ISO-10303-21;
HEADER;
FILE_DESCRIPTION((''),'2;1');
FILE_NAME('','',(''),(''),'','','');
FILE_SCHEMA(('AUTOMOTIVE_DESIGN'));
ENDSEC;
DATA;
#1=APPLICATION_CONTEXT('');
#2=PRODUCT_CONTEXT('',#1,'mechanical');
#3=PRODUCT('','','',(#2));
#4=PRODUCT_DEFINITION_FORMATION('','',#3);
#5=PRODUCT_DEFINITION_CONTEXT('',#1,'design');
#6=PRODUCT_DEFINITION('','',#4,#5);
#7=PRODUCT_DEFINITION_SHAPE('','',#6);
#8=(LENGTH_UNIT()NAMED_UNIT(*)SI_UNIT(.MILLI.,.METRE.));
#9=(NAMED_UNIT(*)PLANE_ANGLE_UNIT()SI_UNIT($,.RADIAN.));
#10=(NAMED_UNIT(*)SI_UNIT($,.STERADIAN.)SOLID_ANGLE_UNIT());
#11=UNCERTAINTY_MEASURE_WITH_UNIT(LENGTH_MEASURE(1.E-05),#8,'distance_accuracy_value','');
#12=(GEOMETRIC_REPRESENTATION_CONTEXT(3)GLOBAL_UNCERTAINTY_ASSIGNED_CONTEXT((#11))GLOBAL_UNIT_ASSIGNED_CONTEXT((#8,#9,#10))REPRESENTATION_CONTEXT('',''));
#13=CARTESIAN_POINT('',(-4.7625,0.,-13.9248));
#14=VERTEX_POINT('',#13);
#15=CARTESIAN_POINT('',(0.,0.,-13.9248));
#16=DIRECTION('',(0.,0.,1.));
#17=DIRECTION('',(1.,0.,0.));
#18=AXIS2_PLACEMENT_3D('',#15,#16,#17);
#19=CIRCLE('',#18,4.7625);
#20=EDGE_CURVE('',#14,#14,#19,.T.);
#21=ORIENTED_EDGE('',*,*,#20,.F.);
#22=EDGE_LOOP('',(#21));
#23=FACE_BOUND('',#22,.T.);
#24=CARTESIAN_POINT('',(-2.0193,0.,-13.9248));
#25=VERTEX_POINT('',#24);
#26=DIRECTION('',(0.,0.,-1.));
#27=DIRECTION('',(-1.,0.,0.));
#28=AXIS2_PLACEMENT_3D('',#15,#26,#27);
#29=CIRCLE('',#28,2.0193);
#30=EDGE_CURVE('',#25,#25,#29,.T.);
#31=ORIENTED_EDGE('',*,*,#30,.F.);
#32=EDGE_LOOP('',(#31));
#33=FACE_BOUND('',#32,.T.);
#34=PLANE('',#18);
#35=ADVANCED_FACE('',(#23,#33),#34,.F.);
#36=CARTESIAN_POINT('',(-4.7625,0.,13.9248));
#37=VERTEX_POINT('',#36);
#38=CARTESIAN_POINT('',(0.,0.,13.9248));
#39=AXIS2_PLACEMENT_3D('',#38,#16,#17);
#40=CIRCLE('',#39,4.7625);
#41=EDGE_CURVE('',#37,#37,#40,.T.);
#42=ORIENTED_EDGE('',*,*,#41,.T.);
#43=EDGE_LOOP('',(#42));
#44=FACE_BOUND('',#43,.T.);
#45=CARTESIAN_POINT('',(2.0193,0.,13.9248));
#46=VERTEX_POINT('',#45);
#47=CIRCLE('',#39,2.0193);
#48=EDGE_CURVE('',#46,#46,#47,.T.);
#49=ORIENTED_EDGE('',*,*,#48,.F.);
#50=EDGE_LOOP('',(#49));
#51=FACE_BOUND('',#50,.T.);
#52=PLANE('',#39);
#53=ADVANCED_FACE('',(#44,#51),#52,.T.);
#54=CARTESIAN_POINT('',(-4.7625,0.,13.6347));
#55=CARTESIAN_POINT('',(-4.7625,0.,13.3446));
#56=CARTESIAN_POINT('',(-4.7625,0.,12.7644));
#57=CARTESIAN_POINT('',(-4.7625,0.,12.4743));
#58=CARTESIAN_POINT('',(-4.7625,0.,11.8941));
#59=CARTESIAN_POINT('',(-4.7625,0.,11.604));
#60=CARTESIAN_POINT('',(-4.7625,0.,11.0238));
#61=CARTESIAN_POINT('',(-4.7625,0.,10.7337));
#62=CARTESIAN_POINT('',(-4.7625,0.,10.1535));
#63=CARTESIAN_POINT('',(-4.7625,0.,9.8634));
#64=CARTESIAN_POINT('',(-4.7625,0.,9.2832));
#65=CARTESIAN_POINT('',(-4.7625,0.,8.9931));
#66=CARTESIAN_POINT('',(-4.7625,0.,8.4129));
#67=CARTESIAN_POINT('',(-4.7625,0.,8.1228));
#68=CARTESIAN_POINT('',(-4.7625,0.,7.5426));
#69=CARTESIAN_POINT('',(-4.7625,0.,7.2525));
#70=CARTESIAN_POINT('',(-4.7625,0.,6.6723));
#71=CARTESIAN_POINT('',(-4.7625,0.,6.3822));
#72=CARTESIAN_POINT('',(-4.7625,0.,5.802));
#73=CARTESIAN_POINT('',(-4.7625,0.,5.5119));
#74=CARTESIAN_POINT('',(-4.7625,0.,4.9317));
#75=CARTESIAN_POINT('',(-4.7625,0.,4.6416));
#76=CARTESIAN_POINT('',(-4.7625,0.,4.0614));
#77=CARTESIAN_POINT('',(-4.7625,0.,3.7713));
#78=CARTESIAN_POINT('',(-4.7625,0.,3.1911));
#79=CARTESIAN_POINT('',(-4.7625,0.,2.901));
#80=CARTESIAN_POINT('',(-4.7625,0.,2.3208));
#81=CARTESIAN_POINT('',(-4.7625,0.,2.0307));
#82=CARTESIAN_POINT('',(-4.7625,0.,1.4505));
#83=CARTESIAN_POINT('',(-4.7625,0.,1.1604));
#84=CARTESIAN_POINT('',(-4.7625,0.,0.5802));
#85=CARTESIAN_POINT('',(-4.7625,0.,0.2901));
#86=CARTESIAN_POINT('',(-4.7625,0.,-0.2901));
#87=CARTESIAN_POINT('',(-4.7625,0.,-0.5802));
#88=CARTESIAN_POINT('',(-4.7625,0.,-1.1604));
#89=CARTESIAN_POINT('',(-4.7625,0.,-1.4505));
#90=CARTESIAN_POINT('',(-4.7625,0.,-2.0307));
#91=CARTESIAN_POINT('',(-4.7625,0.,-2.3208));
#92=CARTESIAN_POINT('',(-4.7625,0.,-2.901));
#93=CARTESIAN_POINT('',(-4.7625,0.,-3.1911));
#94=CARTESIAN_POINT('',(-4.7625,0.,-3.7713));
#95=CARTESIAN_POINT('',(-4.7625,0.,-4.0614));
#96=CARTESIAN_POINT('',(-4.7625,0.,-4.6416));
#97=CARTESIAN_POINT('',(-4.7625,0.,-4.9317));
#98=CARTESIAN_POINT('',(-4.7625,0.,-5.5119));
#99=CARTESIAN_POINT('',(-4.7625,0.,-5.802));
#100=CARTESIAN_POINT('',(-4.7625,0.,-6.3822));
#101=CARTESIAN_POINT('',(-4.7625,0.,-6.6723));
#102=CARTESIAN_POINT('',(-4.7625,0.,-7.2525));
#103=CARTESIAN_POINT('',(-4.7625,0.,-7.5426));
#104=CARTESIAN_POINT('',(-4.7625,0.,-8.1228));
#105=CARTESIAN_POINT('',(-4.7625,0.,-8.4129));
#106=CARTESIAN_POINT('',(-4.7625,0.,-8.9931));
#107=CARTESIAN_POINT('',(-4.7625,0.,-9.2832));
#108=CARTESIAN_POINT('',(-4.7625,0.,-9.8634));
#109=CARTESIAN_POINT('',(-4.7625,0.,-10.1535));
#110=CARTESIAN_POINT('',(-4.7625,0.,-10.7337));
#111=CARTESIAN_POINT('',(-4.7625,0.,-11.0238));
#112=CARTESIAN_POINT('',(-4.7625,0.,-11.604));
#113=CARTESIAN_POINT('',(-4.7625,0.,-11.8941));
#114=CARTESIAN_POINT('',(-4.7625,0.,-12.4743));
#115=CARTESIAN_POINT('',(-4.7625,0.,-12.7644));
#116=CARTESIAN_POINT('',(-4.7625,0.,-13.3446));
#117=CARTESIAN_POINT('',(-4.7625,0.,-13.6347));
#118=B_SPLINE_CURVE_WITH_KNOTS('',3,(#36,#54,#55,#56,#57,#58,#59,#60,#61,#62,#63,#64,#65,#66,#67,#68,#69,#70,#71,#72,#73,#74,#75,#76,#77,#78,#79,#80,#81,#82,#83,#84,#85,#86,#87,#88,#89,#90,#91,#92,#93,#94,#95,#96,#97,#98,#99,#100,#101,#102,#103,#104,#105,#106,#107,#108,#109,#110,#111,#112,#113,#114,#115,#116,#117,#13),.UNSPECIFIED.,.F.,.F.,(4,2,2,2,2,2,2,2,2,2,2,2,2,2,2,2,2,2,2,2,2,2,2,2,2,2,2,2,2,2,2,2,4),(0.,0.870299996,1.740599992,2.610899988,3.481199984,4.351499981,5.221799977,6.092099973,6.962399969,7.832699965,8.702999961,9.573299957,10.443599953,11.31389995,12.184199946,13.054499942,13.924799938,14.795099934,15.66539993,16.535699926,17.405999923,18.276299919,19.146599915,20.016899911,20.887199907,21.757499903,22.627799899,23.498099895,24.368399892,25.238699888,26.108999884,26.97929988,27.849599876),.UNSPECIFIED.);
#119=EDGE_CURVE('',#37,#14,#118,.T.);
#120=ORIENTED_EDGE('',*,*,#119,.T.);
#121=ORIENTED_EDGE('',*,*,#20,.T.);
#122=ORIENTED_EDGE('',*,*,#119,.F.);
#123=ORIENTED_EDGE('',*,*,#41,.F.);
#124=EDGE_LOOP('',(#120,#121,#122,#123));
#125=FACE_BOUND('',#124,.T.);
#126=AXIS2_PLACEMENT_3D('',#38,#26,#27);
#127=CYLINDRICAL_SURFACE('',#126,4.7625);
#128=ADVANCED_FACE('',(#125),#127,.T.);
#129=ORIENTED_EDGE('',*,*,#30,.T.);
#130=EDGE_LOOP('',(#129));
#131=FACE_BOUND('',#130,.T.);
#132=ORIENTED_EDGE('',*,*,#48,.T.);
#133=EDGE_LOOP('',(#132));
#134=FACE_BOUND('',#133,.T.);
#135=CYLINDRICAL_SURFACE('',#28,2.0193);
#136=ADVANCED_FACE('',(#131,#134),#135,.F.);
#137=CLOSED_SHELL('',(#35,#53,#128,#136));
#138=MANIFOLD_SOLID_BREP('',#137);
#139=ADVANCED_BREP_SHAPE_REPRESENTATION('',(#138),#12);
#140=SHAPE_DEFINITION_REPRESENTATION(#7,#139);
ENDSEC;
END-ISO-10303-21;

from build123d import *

# Parameters (mm, degrees)
SKETCH1_R                            = 4.7625
BOSS_EXTRUDE1_DEPTH                  = 13.924799938
F_10_32_TAPPED_HOLE1_D               = 4.0386
F_10_32_TAPPED_HOLE1_DEPTH           = 14.986
F_10_32_TAPPED_HOLE1_TIP             = 1.213317848
F_10_32_TAPPED_HOLE1_ON_FACE_2_D     = 4.0386
F_10_32_TAPPED_HOLE1_ON_FACE_2_DEPTH = 14.986
F_10_32_TAPPED_HOLE1_ON_FACE_2_TIP   = 1.213317848


with BuildPart() as part:
    # Sketch1 → Boss-Extrude1 (new, symmetric)
    with BuildSketch(Plane.XY):
        with Locations(Location((0, 0, 0), (0, 0, 180))):
            Circle(SKETCH1_R)
    extrude(amount=BOSS_EXTRUDE1_DEPTH, both=True)

    # #10-32 Tapped Hole1
    with Locations(Plane.XY.offset(13.924799938)):
        with Locations((0, 0)):
            Hole(F_10_32_TAPPED_HOLE1_D / 2, depth=F_10_32_TAPPED_HOLE1_DEPTH)
            with Locations((0, 0, -(F_10_32_TAPPED_HOLE1_DEPTH + F_10_32_TAPPED_HOLE1_TIP / 2))):  # 118° drill point
                Cone(0, F_10_32_TAPPED_HOLE1_D / 2, F_10_32_TAPPED_HOLE1_TIP, mode=Mode.SUBTRACT)

    # #10-32 Tapped Hole1 on face 2
    with Locations(Plane(origin=(0, 0, -13.924799938), x_dir=(-1, 0, 0), z_dir=(0, 0, -1))):
        with Locations((0, 0)):
            Hole(F_10_32_TAPPED_HOLE1_ON_FACE_2_D / 2, depth=F_10_32_TAPPED_HOLE1_ON_FACE_2_DEPTH)
            with Locations((0, 0, -(F_10_32_TAPPED_HOLE1_ON_FACE_2_DEPTH + F_10_32_TAPPED_HOLE1_ON_FACE_2_TIP / 2))):  # 118° drill point
                Cone(0, F_10_32_TAPPED_HOLE1_ON_FACE_2_D / 2, F_10_32_TAPPED_HOLE1_ON_FACE_2_TIP, mode=Mode.SUBTRACT)


solid = part.part
